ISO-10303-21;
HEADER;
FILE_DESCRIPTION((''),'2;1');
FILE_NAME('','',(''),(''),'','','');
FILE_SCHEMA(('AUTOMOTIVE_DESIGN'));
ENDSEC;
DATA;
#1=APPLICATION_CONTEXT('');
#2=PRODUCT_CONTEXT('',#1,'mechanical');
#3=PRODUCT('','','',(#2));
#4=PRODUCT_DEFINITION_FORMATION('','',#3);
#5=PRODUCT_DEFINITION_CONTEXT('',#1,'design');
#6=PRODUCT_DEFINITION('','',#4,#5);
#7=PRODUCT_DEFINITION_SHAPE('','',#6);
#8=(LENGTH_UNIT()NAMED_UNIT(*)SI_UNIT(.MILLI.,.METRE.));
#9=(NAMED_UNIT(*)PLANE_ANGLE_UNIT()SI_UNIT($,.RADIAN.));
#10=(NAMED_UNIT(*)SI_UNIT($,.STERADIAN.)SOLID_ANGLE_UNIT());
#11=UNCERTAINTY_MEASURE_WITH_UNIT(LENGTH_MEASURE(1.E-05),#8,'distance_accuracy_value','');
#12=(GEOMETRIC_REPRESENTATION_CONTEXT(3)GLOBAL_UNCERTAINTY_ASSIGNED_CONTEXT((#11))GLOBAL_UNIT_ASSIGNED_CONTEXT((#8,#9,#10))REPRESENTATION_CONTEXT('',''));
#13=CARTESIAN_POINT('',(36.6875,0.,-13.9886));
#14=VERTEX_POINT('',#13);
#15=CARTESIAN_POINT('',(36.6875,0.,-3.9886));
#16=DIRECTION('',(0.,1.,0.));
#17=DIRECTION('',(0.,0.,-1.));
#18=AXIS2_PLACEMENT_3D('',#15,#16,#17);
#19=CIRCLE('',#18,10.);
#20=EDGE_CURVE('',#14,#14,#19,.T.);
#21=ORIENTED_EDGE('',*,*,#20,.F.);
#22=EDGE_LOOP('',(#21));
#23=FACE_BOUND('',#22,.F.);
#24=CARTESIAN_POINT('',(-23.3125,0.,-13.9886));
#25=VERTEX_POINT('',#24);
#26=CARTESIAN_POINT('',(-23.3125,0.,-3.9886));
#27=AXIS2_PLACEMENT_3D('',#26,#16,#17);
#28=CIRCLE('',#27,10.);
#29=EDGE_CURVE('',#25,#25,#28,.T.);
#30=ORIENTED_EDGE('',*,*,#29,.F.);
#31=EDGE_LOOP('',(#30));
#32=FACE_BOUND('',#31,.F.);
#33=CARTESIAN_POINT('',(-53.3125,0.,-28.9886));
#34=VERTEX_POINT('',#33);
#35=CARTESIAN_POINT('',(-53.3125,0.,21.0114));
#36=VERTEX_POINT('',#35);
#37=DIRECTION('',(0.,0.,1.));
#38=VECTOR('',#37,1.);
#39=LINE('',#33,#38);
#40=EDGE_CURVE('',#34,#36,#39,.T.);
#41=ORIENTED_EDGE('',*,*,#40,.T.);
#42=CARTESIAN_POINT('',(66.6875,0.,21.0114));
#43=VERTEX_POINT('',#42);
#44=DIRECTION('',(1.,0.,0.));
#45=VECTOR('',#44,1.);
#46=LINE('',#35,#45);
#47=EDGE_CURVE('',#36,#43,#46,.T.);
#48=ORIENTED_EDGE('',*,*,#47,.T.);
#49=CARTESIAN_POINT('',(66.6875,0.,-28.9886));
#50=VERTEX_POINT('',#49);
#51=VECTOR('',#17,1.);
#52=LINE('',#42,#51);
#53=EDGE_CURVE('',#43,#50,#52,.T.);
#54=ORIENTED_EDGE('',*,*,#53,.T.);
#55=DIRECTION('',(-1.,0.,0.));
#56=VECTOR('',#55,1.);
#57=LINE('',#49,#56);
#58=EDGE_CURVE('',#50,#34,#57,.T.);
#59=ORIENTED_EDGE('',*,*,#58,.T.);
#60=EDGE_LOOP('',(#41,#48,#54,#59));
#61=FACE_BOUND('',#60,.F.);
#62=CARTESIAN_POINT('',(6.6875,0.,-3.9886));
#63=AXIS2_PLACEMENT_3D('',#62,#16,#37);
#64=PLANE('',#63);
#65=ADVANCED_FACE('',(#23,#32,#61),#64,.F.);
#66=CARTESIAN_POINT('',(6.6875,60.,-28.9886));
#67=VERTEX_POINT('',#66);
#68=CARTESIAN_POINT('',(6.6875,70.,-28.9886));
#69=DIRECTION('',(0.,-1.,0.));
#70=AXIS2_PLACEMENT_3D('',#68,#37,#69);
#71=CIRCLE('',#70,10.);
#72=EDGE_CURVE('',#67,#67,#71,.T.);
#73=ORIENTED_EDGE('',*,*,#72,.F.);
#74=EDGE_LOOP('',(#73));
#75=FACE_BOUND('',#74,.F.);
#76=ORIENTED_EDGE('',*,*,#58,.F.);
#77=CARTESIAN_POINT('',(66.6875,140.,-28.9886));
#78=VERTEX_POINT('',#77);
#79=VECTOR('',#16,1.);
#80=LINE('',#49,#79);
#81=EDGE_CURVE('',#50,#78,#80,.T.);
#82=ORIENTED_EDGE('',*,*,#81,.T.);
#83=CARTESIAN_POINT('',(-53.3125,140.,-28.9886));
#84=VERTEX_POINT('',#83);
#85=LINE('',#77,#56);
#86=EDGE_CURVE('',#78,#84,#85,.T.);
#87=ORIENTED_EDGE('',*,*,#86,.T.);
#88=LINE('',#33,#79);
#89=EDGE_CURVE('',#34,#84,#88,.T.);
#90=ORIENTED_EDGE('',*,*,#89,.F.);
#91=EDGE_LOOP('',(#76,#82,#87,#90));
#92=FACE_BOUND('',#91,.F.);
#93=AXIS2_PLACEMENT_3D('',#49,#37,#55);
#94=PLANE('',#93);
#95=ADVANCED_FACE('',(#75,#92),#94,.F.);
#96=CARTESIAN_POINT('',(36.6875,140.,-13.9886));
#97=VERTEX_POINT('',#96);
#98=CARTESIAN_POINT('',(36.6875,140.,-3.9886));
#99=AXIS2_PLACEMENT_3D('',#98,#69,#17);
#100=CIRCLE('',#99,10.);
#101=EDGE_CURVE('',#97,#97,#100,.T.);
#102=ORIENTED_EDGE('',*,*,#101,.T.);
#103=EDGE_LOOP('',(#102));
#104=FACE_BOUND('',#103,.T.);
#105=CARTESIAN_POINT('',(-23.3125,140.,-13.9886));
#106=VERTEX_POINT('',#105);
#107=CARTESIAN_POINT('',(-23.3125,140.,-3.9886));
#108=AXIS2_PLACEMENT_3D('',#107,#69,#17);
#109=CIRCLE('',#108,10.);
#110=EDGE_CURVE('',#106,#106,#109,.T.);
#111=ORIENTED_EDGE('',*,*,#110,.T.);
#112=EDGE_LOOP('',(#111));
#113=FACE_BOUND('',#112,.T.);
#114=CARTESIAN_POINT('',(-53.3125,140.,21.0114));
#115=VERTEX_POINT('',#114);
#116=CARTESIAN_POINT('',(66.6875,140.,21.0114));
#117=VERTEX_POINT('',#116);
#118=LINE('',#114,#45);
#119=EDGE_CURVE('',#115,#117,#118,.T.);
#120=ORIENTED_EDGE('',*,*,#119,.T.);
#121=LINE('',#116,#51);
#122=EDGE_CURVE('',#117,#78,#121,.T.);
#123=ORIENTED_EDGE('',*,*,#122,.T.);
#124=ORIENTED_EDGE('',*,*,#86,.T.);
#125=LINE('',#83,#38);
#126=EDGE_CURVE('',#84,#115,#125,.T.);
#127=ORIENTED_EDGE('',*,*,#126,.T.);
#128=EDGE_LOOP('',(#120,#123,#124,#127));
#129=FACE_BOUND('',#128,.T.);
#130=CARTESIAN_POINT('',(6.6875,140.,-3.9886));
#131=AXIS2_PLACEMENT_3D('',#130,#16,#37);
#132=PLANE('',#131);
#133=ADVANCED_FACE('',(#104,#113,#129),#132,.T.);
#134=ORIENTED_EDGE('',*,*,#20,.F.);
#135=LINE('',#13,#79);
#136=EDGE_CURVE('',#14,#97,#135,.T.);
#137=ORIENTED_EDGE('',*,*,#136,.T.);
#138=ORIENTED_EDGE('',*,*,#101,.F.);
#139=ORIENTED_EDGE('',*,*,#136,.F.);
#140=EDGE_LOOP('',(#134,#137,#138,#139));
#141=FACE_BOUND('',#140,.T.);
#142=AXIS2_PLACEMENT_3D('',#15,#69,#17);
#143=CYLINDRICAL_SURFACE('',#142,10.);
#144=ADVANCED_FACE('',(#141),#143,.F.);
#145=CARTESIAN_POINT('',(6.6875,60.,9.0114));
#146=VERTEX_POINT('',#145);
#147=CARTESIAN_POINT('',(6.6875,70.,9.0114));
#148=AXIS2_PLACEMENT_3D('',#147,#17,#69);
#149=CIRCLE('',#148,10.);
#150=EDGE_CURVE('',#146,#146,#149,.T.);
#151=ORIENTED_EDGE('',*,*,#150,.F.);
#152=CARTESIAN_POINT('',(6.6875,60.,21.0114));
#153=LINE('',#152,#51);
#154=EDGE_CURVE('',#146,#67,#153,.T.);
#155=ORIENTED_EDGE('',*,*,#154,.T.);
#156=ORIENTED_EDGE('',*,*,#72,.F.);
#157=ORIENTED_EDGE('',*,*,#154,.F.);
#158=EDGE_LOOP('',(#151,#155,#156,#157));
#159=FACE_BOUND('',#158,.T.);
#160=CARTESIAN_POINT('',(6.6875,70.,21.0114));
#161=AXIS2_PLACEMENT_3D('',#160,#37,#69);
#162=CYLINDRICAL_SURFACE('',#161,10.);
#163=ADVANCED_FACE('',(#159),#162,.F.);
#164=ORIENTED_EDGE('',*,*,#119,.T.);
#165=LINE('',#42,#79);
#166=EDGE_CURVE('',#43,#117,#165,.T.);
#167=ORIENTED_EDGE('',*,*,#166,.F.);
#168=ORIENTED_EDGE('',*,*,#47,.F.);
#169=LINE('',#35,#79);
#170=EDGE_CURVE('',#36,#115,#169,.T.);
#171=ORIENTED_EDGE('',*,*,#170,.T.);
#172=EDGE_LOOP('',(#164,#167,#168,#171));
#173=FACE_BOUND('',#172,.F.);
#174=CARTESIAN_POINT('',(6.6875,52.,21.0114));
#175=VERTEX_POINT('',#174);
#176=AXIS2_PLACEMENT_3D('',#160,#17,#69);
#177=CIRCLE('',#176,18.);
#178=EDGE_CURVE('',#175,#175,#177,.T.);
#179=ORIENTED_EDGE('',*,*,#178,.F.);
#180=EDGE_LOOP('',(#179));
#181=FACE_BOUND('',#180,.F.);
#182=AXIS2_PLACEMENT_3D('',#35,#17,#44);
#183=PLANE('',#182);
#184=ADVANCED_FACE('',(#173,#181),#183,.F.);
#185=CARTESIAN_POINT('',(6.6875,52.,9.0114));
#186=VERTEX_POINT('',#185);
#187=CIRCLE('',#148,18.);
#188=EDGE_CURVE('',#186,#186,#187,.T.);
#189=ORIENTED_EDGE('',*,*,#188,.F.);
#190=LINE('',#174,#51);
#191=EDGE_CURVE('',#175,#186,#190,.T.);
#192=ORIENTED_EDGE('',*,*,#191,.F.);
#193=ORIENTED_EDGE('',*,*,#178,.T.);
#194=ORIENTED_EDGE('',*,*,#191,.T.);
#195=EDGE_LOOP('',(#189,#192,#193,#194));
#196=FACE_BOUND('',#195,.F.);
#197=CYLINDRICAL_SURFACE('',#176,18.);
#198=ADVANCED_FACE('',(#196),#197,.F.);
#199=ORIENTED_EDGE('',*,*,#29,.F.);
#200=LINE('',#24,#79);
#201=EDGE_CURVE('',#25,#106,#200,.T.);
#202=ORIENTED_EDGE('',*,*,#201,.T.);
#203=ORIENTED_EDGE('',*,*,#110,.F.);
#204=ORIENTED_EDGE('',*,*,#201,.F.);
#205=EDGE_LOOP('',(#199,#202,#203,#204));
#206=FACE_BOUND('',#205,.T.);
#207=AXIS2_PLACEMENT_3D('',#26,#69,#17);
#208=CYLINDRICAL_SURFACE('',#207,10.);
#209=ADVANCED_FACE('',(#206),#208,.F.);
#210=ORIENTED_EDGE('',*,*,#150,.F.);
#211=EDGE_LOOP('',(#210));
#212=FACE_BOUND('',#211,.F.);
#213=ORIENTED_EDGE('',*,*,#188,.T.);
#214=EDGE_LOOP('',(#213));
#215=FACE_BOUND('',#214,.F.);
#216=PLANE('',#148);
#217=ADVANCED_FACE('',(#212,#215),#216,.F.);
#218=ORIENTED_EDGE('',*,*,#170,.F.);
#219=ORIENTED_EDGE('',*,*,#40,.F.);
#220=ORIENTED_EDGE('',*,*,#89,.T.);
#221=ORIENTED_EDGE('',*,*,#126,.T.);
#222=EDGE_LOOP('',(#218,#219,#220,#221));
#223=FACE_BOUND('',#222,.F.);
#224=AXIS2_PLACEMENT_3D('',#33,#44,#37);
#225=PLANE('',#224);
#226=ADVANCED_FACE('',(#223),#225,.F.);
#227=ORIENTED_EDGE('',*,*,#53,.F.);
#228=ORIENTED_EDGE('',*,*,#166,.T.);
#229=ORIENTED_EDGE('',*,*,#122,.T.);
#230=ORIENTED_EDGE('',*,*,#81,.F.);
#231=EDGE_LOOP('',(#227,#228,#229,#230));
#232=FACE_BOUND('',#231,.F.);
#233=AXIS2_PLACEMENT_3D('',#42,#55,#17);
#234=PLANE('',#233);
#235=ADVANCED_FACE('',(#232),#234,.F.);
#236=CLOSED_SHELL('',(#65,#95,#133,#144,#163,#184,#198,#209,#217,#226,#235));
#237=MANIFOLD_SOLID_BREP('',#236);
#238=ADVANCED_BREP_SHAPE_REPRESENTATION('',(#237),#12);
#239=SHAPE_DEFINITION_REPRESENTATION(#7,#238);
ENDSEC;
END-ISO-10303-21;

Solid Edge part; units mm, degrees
sketch "Sketch1" plane through (0, 0, 0) normal (0, -1, 0) x (1, 0, 0)
  line L0 (-53.3125, 21.0114) -> (66.6875, 21.0114)
  line L1 (66.6875, 21.0114) -> (66.6875, -28.9886)
  line L2 (66.6875, -28.9886) -> (-53.3125, -28.9886)
  line L3 (-53.3125, -28.9886) -> (-53.3125, 21.0114)
extrude "Protrusion1" add sketch "Sketch1" against normal blind 140
hole "Hole1" at (36.6875, 0, -3.9886) direction (0, 1, 0) diameter 20 end up to next
hole "Hole_2" at (-23.3125, 0, -3.9886) direction (0, 1, 0) diameter 20 end up to next
hole "Hole_3" at (6.6875, 70, 21.0114) direction (0, 0, -1) diameter 20 end up to next counterbore diameter 36 counterbore depth 12
properties part number "C-3701" material "Steel"
